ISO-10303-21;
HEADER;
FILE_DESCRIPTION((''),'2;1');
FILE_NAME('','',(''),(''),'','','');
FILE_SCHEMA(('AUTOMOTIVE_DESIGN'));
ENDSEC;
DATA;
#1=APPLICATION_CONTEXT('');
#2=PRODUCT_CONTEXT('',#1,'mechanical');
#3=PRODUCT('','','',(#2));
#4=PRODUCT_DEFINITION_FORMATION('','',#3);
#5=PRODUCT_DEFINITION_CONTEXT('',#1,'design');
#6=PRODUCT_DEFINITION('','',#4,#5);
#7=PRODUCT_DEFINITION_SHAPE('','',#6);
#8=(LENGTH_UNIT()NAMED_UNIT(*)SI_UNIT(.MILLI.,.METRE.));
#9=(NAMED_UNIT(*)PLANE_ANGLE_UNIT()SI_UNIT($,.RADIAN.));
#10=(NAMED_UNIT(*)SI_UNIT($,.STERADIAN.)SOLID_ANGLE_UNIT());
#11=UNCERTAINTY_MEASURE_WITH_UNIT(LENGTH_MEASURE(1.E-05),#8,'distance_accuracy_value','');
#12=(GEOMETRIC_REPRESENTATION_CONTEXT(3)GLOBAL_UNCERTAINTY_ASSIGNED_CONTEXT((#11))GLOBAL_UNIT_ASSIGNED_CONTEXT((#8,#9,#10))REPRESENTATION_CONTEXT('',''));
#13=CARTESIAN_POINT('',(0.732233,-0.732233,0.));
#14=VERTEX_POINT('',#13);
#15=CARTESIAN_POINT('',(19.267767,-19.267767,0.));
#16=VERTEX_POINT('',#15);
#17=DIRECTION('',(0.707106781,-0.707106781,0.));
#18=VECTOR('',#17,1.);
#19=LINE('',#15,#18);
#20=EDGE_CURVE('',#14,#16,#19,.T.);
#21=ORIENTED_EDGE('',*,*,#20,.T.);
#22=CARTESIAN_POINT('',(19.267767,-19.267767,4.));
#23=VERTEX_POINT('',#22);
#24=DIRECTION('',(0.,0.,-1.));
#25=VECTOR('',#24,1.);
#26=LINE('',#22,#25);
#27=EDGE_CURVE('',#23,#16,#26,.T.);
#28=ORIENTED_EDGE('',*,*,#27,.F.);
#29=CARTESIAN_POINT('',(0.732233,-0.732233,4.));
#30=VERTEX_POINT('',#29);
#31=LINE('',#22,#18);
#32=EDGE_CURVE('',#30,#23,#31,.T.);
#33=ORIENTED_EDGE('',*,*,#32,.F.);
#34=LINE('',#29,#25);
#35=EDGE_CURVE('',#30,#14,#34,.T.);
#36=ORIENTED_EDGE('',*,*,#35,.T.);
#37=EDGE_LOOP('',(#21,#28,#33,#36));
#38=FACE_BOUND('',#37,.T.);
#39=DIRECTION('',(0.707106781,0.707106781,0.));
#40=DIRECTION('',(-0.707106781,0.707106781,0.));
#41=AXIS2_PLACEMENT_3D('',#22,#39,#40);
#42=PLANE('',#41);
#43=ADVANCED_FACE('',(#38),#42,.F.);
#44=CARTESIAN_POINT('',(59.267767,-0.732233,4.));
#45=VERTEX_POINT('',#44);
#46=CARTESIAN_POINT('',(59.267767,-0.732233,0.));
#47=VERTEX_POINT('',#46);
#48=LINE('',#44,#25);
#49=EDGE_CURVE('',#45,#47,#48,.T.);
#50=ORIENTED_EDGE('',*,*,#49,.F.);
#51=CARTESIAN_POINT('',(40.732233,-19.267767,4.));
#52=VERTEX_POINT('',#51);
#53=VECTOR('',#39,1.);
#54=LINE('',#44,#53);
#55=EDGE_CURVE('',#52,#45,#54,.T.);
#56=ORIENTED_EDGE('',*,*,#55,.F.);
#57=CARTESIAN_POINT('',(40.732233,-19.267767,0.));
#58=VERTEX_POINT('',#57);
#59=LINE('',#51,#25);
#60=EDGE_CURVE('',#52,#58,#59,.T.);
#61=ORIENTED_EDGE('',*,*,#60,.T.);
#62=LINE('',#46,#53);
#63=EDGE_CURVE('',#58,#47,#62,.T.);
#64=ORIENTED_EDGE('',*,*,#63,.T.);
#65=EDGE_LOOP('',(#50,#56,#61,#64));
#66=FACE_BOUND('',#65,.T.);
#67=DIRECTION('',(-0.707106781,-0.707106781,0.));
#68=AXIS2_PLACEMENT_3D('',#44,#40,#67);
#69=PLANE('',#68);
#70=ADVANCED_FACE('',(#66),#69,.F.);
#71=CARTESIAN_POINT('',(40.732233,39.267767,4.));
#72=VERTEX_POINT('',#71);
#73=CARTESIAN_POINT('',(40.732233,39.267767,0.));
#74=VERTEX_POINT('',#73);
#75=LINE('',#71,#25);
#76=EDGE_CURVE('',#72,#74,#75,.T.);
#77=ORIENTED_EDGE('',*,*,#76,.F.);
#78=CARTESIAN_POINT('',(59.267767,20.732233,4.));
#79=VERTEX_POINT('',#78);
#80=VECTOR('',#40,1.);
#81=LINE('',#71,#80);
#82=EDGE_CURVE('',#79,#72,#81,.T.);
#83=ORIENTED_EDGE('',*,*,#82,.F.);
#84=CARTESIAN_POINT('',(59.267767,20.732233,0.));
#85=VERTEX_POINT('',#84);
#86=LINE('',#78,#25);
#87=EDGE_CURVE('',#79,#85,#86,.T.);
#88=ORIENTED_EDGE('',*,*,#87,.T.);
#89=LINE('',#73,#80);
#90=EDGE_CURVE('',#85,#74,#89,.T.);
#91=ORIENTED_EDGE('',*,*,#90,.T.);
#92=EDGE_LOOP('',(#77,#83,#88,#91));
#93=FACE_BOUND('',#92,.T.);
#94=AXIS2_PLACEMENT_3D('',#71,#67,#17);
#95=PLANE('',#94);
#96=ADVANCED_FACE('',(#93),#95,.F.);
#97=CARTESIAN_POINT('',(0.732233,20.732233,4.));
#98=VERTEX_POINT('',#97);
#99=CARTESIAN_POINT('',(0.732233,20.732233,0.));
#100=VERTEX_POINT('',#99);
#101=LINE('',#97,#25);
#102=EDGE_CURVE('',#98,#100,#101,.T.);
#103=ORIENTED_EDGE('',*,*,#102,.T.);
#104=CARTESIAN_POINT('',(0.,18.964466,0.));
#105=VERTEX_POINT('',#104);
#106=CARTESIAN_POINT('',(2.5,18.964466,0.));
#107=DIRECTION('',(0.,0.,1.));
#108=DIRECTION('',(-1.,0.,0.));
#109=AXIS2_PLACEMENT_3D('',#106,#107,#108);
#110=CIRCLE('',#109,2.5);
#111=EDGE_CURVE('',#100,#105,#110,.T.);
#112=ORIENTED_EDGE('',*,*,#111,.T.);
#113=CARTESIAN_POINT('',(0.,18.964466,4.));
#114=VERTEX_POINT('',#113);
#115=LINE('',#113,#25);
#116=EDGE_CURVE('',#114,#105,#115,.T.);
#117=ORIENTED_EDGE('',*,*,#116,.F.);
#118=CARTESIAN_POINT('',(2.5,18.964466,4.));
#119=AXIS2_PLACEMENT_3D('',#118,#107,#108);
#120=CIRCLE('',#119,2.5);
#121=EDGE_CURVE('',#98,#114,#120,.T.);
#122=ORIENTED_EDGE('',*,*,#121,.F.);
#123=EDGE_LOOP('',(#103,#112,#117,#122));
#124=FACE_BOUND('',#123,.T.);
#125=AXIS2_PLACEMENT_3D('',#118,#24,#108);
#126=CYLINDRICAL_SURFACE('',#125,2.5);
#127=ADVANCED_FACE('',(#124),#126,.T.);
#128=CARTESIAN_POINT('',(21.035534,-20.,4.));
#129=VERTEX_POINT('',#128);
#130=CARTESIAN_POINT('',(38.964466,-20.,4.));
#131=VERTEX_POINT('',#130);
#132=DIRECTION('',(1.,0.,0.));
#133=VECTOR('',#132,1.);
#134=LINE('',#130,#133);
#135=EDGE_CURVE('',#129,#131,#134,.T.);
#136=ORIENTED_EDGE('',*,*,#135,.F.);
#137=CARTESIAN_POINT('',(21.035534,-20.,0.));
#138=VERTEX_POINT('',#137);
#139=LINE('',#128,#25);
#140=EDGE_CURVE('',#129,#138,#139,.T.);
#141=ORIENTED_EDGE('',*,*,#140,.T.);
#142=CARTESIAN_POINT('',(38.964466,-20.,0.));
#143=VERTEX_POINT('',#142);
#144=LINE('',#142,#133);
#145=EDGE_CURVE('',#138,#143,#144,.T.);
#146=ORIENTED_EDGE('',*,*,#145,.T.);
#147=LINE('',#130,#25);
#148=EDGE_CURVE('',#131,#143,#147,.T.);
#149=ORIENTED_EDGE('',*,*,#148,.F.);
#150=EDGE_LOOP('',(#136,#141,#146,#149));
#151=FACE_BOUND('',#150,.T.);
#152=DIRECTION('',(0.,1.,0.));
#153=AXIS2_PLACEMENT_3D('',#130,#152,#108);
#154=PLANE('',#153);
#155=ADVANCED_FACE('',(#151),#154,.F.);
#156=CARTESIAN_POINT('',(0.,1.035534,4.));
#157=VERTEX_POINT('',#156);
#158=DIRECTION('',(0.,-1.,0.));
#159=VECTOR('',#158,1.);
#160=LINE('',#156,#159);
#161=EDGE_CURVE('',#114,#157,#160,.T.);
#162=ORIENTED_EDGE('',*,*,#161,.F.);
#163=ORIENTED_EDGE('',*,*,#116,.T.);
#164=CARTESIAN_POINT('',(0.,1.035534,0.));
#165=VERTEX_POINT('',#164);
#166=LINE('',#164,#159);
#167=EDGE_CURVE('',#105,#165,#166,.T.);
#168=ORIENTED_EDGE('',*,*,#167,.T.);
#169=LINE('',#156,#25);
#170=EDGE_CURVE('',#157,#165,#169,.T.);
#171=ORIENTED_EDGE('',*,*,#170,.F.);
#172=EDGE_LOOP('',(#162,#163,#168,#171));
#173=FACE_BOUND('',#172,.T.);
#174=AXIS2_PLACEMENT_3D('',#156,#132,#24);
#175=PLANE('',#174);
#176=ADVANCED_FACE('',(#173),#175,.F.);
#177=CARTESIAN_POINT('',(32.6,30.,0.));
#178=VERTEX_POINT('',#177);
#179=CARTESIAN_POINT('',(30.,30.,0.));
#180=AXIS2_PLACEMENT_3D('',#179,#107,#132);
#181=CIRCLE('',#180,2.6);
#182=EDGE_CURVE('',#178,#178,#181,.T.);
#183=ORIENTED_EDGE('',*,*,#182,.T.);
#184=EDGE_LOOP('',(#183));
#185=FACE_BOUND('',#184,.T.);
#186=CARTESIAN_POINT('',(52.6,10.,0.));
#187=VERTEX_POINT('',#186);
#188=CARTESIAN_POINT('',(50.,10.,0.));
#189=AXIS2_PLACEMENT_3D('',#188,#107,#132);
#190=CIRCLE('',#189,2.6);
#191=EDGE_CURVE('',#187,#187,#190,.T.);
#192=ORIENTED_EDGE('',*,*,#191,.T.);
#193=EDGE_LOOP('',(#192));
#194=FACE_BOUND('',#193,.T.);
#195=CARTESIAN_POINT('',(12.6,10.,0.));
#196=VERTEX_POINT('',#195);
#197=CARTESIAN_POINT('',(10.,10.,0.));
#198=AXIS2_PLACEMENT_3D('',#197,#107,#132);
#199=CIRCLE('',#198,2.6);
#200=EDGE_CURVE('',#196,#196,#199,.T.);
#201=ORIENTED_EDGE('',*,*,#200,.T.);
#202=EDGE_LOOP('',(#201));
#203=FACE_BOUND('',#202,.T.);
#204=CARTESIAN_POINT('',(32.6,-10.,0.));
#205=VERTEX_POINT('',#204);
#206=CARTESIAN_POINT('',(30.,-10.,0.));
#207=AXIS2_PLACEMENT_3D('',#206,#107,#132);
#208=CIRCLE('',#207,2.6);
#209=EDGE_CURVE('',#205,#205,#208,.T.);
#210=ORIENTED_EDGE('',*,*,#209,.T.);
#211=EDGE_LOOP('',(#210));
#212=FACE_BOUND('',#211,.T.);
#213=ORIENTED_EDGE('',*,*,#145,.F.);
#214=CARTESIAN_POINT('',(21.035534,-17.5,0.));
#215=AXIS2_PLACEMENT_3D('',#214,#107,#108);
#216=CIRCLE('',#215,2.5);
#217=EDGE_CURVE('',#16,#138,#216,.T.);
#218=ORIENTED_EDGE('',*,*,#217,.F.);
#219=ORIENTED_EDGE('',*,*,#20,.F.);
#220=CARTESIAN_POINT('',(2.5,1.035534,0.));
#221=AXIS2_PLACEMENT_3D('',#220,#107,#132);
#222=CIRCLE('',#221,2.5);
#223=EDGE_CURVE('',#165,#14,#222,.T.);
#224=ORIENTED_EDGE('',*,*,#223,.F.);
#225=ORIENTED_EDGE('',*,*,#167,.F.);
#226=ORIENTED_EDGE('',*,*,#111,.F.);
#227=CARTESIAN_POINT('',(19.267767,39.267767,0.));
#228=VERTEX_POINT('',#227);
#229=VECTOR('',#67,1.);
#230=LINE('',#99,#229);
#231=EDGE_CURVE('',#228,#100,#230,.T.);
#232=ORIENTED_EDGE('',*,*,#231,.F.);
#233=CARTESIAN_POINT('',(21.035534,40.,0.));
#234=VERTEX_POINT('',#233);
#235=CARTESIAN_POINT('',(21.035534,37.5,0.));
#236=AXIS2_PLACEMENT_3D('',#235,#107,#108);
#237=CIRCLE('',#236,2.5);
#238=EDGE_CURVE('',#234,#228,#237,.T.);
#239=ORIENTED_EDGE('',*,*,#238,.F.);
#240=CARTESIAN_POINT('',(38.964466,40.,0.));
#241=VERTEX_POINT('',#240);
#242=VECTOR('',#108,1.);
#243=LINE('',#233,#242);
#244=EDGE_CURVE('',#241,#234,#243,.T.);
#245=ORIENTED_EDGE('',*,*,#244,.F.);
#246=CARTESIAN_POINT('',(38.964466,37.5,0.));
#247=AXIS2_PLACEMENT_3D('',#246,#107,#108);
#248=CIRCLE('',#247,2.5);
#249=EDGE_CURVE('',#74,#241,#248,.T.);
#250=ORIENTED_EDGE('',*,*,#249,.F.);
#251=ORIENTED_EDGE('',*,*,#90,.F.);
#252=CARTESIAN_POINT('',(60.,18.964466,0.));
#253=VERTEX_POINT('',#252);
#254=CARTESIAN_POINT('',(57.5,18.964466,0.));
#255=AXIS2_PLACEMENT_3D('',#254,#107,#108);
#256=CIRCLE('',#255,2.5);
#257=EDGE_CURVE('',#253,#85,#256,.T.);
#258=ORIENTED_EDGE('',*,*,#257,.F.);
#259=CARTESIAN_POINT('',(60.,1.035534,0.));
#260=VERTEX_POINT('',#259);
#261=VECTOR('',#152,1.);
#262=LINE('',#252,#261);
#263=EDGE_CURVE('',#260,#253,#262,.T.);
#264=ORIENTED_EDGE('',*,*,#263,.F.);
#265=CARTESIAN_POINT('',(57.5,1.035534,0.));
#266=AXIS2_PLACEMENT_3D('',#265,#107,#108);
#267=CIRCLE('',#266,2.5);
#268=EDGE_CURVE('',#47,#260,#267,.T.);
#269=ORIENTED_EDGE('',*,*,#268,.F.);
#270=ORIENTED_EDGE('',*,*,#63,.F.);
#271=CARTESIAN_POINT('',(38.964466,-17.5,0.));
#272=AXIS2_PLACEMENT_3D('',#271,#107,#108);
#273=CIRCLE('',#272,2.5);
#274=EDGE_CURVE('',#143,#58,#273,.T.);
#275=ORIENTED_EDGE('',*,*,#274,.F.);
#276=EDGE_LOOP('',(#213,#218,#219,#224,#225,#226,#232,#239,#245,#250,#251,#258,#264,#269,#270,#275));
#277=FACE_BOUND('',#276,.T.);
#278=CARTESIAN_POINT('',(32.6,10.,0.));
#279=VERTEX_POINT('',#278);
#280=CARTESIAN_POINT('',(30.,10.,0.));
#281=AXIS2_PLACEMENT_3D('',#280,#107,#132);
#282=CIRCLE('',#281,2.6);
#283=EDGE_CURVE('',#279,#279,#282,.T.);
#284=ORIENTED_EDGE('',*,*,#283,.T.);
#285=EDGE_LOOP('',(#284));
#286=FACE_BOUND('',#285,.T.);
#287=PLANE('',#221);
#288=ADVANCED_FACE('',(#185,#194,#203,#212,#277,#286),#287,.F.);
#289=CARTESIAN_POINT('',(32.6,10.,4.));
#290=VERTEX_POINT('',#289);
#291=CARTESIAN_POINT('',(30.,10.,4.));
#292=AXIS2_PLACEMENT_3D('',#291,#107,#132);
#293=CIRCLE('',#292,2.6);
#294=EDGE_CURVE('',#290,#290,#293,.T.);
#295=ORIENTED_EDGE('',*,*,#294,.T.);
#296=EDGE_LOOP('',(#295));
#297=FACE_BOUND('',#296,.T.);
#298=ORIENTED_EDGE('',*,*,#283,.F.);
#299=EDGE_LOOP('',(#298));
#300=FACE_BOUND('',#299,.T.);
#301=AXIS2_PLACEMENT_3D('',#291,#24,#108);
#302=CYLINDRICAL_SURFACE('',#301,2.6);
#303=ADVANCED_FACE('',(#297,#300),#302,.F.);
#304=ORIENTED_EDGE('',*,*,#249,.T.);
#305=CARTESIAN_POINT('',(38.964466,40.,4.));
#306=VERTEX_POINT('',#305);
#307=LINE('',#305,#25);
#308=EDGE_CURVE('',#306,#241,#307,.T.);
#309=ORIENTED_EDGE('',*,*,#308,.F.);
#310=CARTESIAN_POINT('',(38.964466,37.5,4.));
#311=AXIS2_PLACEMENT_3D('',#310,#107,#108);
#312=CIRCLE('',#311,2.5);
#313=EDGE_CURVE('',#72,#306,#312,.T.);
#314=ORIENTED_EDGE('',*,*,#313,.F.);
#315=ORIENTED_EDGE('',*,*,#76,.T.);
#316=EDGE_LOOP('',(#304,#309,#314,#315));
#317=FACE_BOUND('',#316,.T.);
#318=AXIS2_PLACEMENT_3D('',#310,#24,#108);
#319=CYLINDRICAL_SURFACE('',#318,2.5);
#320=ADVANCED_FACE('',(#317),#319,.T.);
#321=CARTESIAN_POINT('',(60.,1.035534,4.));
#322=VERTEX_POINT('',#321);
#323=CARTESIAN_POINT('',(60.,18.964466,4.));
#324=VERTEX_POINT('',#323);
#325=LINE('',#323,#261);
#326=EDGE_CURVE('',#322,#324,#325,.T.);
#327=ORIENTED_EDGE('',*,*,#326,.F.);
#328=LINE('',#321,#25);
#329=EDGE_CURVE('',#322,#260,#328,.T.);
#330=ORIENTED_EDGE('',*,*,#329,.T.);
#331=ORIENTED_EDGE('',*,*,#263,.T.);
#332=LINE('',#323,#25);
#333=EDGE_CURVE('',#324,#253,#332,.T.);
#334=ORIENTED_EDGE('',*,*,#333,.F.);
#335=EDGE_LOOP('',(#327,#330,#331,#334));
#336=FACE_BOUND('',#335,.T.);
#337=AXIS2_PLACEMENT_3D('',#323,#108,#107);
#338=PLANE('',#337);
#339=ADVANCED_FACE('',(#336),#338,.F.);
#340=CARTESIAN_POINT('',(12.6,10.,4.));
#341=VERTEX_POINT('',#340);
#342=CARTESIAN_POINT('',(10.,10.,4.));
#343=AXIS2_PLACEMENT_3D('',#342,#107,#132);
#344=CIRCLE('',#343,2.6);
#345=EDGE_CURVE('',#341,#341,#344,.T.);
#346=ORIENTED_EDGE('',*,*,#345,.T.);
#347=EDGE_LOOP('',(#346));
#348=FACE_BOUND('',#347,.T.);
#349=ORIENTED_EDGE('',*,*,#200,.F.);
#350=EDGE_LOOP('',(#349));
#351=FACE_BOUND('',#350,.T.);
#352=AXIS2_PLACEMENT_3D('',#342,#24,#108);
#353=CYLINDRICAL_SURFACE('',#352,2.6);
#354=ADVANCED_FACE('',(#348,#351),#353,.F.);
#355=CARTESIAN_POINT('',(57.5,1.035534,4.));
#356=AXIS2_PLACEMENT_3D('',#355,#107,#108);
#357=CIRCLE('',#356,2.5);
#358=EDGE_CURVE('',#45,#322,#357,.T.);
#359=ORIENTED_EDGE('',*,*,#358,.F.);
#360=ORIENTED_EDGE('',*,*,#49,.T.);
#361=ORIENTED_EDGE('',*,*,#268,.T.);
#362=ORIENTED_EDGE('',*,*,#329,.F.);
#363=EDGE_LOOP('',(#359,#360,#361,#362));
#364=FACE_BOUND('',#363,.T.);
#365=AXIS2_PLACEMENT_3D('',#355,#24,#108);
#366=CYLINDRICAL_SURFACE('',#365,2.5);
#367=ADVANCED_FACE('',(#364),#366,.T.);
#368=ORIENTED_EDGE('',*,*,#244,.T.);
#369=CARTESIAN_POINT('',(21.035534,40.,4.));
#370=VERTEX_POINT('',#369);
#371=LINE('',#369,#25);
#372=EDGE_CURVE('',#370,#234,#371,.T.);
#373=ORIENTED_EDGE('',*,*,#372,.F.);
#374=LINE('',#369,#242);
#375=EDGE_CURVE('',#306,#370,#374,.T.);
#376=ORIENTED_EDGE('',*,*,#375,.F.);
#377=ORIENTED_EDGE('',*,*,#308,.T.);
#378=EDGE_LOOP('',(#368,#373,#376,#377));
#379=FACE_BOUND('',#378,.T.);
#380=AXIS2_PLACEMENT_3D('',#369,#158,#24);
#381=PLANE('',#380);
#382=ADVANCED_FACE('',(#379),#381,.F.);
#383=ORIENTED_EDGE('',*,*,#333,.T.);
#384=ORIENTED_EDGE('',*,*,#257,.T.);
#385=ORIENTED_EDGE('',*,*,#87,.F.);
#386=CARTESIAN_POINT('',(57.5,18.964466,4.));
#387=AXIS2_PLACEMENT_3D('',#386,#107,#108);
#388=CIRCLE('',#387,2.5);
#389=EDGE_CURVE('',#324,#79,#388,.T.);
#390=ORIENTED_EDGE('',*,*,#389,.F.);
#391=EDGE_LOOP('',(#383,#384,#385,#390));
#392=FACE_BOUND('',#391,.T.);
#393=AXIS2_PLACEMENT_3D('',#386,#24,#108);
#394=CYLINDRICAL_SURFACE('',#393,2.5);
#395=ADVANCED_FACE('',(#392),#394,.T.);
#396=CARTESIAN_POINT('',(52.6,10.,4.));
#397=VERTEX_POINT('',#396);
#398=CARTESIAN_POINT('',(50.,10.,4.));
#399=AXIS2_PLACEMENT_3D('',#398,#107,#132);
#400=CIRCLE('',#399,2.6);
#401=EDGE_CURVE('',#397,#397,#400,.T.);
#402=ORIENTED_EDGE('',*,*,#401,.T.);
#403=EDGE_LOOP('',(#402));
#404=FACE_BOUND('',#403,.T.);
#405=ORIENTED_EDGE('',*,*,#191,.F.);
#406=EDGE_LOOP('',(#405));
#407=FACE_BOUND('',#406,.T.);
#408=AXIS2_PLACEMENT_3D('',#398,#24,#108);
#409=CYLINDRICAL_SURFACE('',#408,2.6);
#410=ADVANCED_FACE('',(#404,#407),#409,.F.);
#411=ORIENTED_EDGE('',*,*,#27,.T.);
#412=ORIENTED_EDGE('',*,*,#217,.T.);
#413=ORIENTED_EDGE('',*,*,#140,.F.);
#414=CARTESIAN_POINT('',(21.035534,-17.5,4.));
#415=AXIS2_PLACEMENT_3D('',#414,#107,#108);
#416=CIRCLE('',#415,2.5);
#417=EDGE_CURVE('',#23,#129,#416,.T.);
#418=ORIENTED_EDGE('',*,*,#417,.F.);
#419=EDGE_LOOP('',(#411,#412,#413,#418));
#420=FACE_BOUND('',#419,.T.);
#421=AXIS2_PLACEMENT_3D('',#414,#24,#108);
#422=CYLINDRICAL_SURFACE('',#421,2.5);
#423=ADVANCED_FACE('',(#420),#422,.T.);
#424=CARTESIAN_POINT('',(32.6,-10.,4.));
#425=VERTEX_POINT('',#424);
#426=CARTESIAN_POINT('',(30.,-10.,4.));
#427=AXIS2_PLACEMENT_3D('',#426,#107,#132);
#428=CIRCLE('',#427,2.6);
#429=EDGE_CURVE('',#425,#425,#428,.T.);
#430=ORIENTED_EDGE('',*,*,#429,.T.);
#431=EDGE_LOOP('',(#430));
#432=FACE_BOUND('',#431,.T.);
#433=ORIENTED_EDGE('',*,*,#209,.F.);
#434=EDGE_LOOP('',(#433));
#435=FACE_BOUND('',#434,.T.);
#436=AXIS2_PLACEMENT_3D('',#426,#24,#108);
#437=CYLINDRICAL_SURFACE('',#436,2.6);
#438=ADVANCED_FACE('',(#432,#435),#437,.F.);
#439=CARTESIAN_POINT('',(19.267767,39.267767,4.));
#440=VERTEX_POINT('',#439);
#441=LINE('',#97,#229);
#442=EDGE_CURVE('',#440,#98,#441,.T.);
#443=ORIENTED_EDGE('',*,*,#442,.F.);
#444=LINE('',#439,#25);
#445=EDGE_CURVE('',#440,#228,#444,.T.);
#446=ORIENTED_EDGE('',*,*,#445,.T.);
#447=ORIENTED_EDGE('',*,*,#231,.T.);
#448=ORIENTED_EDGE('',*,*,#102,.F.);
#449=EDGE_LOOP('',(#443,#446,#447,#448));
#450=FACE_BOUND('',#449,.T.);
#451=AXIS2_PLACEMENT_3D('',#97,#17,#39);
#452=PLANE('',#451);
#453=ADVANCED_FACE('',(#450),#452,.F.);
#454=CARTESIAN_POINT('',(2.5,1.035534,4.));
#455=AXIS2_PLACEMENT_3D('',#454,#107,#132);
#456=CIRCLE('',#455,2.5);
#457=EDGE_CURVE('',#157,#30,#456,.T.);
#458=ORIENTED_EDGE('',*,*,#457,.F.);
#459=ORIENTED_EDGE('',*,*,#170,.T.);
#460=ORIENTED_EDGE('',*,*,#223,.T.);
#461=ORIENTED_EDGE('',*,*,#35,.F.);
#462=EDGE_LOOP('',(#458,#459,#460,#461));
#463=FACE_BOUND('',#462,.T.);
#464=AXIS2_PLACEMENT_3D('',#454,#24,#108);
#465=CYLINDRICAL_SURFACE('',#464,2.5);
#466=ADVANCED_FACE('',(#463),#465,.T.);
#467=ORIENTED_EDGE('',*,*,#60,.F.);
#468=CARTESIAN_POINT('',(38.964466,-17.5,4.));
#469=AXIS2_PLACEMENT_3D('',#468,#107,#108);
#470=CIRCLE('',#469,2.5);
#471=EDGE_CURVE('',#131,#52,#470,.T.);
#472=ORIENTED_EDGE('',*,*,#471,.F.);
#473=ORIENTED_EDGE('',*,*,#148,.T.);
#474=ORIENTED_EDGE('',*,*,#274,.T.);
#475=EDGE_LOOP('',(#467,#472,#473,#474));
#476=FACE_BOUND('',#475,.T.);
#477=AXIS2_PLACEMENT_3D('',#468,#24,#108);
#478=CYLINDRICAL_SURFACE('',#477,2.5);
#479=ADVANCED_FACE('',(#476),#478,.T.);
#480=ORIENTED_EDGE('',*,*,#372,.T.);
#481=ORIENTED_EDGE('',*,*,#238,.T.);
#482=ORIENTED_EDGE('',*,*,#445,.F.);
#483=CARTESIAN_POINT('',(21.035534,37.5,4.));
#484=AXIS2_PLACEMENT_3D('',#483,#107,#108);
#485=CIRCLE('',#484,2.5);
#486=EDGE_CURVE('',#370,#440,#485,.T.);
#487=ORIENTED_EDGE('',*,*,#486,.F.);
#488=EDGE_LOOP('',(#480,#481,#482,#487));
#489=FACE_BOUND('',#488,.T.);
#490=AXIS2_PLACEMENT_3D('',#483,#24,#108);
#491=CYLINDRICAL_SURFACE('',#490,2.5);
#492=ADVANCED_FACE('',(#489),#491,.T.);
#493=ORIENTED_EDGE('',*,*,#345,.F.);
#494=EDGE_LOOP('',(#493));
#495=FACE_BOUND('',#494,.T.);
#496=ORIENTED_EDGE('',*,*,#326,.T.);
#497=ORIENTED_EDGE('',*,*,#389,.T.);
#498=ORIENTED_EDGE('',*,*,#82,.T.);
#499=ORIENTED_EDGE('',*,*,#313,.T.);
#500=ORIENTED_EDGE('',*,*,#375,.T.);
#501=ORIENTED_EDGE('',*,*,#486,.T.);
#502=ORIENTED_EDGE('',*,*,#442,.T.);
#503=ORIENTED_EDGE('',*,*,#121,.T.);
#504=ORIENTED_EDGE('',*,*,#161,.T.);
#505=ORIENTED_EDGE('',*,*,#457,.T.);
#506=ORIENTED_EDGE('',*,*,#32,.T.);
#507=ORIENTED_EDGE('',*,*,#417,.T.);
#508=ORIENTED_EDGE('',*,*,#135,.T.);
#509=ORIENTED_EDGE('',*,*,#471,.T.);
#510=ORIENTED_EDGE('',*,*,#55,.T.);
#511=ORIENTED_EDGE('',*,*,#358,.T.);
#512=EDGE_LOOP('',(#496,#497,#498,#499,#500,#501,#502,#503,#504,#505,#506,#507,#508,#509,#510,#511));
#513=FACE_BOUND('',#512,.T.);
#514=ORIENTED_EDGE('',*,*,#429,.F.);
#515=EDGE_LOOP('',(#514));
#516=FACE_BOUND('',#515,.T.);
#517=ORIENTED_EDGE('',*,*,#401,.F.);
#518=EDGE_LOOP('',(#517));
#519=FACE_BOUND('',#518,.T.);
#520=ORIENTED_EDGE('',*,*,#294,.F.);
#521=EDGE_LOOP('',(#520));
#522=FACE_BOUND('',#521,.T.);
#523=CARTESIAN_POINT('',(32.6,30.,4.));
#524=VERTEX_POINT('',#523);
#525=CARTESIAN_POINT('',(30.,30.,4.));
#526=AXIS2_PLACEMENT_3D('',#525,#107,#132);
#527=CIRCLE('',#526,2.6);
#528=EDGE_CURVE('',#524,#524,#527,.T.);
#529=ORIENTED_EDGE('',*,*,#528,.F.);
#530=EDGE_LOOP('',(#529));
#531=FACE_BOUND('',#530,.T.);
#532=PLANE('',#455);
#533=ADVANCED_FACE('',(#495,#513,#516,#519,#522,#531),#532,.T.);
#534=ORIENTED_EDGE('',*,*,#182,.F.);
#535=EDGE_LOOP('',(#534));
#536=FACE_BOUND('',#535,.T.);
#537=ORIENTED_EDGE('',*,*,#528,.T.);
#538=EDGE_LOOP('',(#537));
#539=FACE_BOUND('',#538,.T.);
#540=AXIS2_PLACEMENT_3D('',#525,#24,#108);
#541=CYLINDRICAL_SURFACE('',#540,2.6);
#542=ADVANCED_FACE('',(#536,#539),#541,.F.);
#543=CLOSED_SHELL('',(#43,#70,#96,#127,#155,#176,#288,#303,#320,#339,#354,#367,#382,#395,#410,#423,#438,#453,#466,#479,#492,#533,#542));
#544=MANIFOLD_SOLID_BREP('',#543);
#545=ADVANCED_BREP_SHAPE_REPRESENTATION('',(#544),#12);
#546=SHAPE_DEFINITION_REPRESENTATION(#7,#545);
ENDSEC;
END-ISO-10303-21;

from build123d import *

# Parameters (mm, degrees)
SKETCH_1_R      = 2.6
EXTRUDE_1_DEPTH = 4


with BuildPart() as part:
    # Эскиз1 → Бобышка-Вытянуть1 (new body)
    with BuildSketch(Plane.XY):
        with BuildLine():
            Line((0, 1.035533906), (0, 18.964466094))
            ThreePointArc((0, 18.964466094), (0.190301169, 19.921174675), (0.732233047, 20.732233047))
            Line((0.732233047, 20.732233047), (19.267766953, 39.267766953))
            ThreePointArc((19.267766953, 39.267766953), (20.078825325, 39.809698831), (21.035533906, 40))
            Line((21.035533906, 40), (38.964466094, 40))
            ThreePointArc((38.964466094, 40), (39.921174675, 39.809698831), (40.732233047, 39.267766953))
            Line((40.732233047, 39.267766953), (59.267766953, 20.732233047))
            ThreePointArc((59.267766953, 20.732233047), (59.809698831, 19.921174675), (60, 18.964466094))
            Line((60, 18.964466094), (60, 1.035533906))
            ThreePointArc((60, 1.035533906), (59.809698831, 0.078825325), (59.267766953, -0.732233047))
            Line((59.267766953, -0.732233047), (40.732233047, -19.267766953))
            ThreePointArc((40.732233047, -19.267766953), (39.921174675, -19.809698831), (38.964466094, -20))
            Line((38.964466094, -20), (21.035533906, -20))
            ThreePointArc((21.035533906, -20), (20.078825325, -19.809698831), (19.267766953, -19.267766953))
            Line((19.267766953, -19.267766953), (0.732233047, -0.732233047))
            ThreePointArc((0.732233047, -0.732233047), (0.190301169, 0.078825325), (0, 1.035533906))
        make_face()
        with Locations((10, 10)):
            Circle(SKETCH_1_R, mode=Mode.SUBTRACT)
        with Locations((30, 10)):
            Circle(SKETCH_1_R, mode=Mode.SUBTRACT)
        with Locations((50, 10)):
            Circle(SKETCH_1_R, mode=Mode.SUBTRACT)
        with Locations((30, 30)):
            Circle(SKETCH_1_R, mode=Mode.SUBTRACT)
        with Locations((30, -10)):
            Circle(SKETCH_1_R, mode=Mode.SUBTRACT)
    extrude(amount=EXTRUDE_1_DEPTH)


solid = part.part
